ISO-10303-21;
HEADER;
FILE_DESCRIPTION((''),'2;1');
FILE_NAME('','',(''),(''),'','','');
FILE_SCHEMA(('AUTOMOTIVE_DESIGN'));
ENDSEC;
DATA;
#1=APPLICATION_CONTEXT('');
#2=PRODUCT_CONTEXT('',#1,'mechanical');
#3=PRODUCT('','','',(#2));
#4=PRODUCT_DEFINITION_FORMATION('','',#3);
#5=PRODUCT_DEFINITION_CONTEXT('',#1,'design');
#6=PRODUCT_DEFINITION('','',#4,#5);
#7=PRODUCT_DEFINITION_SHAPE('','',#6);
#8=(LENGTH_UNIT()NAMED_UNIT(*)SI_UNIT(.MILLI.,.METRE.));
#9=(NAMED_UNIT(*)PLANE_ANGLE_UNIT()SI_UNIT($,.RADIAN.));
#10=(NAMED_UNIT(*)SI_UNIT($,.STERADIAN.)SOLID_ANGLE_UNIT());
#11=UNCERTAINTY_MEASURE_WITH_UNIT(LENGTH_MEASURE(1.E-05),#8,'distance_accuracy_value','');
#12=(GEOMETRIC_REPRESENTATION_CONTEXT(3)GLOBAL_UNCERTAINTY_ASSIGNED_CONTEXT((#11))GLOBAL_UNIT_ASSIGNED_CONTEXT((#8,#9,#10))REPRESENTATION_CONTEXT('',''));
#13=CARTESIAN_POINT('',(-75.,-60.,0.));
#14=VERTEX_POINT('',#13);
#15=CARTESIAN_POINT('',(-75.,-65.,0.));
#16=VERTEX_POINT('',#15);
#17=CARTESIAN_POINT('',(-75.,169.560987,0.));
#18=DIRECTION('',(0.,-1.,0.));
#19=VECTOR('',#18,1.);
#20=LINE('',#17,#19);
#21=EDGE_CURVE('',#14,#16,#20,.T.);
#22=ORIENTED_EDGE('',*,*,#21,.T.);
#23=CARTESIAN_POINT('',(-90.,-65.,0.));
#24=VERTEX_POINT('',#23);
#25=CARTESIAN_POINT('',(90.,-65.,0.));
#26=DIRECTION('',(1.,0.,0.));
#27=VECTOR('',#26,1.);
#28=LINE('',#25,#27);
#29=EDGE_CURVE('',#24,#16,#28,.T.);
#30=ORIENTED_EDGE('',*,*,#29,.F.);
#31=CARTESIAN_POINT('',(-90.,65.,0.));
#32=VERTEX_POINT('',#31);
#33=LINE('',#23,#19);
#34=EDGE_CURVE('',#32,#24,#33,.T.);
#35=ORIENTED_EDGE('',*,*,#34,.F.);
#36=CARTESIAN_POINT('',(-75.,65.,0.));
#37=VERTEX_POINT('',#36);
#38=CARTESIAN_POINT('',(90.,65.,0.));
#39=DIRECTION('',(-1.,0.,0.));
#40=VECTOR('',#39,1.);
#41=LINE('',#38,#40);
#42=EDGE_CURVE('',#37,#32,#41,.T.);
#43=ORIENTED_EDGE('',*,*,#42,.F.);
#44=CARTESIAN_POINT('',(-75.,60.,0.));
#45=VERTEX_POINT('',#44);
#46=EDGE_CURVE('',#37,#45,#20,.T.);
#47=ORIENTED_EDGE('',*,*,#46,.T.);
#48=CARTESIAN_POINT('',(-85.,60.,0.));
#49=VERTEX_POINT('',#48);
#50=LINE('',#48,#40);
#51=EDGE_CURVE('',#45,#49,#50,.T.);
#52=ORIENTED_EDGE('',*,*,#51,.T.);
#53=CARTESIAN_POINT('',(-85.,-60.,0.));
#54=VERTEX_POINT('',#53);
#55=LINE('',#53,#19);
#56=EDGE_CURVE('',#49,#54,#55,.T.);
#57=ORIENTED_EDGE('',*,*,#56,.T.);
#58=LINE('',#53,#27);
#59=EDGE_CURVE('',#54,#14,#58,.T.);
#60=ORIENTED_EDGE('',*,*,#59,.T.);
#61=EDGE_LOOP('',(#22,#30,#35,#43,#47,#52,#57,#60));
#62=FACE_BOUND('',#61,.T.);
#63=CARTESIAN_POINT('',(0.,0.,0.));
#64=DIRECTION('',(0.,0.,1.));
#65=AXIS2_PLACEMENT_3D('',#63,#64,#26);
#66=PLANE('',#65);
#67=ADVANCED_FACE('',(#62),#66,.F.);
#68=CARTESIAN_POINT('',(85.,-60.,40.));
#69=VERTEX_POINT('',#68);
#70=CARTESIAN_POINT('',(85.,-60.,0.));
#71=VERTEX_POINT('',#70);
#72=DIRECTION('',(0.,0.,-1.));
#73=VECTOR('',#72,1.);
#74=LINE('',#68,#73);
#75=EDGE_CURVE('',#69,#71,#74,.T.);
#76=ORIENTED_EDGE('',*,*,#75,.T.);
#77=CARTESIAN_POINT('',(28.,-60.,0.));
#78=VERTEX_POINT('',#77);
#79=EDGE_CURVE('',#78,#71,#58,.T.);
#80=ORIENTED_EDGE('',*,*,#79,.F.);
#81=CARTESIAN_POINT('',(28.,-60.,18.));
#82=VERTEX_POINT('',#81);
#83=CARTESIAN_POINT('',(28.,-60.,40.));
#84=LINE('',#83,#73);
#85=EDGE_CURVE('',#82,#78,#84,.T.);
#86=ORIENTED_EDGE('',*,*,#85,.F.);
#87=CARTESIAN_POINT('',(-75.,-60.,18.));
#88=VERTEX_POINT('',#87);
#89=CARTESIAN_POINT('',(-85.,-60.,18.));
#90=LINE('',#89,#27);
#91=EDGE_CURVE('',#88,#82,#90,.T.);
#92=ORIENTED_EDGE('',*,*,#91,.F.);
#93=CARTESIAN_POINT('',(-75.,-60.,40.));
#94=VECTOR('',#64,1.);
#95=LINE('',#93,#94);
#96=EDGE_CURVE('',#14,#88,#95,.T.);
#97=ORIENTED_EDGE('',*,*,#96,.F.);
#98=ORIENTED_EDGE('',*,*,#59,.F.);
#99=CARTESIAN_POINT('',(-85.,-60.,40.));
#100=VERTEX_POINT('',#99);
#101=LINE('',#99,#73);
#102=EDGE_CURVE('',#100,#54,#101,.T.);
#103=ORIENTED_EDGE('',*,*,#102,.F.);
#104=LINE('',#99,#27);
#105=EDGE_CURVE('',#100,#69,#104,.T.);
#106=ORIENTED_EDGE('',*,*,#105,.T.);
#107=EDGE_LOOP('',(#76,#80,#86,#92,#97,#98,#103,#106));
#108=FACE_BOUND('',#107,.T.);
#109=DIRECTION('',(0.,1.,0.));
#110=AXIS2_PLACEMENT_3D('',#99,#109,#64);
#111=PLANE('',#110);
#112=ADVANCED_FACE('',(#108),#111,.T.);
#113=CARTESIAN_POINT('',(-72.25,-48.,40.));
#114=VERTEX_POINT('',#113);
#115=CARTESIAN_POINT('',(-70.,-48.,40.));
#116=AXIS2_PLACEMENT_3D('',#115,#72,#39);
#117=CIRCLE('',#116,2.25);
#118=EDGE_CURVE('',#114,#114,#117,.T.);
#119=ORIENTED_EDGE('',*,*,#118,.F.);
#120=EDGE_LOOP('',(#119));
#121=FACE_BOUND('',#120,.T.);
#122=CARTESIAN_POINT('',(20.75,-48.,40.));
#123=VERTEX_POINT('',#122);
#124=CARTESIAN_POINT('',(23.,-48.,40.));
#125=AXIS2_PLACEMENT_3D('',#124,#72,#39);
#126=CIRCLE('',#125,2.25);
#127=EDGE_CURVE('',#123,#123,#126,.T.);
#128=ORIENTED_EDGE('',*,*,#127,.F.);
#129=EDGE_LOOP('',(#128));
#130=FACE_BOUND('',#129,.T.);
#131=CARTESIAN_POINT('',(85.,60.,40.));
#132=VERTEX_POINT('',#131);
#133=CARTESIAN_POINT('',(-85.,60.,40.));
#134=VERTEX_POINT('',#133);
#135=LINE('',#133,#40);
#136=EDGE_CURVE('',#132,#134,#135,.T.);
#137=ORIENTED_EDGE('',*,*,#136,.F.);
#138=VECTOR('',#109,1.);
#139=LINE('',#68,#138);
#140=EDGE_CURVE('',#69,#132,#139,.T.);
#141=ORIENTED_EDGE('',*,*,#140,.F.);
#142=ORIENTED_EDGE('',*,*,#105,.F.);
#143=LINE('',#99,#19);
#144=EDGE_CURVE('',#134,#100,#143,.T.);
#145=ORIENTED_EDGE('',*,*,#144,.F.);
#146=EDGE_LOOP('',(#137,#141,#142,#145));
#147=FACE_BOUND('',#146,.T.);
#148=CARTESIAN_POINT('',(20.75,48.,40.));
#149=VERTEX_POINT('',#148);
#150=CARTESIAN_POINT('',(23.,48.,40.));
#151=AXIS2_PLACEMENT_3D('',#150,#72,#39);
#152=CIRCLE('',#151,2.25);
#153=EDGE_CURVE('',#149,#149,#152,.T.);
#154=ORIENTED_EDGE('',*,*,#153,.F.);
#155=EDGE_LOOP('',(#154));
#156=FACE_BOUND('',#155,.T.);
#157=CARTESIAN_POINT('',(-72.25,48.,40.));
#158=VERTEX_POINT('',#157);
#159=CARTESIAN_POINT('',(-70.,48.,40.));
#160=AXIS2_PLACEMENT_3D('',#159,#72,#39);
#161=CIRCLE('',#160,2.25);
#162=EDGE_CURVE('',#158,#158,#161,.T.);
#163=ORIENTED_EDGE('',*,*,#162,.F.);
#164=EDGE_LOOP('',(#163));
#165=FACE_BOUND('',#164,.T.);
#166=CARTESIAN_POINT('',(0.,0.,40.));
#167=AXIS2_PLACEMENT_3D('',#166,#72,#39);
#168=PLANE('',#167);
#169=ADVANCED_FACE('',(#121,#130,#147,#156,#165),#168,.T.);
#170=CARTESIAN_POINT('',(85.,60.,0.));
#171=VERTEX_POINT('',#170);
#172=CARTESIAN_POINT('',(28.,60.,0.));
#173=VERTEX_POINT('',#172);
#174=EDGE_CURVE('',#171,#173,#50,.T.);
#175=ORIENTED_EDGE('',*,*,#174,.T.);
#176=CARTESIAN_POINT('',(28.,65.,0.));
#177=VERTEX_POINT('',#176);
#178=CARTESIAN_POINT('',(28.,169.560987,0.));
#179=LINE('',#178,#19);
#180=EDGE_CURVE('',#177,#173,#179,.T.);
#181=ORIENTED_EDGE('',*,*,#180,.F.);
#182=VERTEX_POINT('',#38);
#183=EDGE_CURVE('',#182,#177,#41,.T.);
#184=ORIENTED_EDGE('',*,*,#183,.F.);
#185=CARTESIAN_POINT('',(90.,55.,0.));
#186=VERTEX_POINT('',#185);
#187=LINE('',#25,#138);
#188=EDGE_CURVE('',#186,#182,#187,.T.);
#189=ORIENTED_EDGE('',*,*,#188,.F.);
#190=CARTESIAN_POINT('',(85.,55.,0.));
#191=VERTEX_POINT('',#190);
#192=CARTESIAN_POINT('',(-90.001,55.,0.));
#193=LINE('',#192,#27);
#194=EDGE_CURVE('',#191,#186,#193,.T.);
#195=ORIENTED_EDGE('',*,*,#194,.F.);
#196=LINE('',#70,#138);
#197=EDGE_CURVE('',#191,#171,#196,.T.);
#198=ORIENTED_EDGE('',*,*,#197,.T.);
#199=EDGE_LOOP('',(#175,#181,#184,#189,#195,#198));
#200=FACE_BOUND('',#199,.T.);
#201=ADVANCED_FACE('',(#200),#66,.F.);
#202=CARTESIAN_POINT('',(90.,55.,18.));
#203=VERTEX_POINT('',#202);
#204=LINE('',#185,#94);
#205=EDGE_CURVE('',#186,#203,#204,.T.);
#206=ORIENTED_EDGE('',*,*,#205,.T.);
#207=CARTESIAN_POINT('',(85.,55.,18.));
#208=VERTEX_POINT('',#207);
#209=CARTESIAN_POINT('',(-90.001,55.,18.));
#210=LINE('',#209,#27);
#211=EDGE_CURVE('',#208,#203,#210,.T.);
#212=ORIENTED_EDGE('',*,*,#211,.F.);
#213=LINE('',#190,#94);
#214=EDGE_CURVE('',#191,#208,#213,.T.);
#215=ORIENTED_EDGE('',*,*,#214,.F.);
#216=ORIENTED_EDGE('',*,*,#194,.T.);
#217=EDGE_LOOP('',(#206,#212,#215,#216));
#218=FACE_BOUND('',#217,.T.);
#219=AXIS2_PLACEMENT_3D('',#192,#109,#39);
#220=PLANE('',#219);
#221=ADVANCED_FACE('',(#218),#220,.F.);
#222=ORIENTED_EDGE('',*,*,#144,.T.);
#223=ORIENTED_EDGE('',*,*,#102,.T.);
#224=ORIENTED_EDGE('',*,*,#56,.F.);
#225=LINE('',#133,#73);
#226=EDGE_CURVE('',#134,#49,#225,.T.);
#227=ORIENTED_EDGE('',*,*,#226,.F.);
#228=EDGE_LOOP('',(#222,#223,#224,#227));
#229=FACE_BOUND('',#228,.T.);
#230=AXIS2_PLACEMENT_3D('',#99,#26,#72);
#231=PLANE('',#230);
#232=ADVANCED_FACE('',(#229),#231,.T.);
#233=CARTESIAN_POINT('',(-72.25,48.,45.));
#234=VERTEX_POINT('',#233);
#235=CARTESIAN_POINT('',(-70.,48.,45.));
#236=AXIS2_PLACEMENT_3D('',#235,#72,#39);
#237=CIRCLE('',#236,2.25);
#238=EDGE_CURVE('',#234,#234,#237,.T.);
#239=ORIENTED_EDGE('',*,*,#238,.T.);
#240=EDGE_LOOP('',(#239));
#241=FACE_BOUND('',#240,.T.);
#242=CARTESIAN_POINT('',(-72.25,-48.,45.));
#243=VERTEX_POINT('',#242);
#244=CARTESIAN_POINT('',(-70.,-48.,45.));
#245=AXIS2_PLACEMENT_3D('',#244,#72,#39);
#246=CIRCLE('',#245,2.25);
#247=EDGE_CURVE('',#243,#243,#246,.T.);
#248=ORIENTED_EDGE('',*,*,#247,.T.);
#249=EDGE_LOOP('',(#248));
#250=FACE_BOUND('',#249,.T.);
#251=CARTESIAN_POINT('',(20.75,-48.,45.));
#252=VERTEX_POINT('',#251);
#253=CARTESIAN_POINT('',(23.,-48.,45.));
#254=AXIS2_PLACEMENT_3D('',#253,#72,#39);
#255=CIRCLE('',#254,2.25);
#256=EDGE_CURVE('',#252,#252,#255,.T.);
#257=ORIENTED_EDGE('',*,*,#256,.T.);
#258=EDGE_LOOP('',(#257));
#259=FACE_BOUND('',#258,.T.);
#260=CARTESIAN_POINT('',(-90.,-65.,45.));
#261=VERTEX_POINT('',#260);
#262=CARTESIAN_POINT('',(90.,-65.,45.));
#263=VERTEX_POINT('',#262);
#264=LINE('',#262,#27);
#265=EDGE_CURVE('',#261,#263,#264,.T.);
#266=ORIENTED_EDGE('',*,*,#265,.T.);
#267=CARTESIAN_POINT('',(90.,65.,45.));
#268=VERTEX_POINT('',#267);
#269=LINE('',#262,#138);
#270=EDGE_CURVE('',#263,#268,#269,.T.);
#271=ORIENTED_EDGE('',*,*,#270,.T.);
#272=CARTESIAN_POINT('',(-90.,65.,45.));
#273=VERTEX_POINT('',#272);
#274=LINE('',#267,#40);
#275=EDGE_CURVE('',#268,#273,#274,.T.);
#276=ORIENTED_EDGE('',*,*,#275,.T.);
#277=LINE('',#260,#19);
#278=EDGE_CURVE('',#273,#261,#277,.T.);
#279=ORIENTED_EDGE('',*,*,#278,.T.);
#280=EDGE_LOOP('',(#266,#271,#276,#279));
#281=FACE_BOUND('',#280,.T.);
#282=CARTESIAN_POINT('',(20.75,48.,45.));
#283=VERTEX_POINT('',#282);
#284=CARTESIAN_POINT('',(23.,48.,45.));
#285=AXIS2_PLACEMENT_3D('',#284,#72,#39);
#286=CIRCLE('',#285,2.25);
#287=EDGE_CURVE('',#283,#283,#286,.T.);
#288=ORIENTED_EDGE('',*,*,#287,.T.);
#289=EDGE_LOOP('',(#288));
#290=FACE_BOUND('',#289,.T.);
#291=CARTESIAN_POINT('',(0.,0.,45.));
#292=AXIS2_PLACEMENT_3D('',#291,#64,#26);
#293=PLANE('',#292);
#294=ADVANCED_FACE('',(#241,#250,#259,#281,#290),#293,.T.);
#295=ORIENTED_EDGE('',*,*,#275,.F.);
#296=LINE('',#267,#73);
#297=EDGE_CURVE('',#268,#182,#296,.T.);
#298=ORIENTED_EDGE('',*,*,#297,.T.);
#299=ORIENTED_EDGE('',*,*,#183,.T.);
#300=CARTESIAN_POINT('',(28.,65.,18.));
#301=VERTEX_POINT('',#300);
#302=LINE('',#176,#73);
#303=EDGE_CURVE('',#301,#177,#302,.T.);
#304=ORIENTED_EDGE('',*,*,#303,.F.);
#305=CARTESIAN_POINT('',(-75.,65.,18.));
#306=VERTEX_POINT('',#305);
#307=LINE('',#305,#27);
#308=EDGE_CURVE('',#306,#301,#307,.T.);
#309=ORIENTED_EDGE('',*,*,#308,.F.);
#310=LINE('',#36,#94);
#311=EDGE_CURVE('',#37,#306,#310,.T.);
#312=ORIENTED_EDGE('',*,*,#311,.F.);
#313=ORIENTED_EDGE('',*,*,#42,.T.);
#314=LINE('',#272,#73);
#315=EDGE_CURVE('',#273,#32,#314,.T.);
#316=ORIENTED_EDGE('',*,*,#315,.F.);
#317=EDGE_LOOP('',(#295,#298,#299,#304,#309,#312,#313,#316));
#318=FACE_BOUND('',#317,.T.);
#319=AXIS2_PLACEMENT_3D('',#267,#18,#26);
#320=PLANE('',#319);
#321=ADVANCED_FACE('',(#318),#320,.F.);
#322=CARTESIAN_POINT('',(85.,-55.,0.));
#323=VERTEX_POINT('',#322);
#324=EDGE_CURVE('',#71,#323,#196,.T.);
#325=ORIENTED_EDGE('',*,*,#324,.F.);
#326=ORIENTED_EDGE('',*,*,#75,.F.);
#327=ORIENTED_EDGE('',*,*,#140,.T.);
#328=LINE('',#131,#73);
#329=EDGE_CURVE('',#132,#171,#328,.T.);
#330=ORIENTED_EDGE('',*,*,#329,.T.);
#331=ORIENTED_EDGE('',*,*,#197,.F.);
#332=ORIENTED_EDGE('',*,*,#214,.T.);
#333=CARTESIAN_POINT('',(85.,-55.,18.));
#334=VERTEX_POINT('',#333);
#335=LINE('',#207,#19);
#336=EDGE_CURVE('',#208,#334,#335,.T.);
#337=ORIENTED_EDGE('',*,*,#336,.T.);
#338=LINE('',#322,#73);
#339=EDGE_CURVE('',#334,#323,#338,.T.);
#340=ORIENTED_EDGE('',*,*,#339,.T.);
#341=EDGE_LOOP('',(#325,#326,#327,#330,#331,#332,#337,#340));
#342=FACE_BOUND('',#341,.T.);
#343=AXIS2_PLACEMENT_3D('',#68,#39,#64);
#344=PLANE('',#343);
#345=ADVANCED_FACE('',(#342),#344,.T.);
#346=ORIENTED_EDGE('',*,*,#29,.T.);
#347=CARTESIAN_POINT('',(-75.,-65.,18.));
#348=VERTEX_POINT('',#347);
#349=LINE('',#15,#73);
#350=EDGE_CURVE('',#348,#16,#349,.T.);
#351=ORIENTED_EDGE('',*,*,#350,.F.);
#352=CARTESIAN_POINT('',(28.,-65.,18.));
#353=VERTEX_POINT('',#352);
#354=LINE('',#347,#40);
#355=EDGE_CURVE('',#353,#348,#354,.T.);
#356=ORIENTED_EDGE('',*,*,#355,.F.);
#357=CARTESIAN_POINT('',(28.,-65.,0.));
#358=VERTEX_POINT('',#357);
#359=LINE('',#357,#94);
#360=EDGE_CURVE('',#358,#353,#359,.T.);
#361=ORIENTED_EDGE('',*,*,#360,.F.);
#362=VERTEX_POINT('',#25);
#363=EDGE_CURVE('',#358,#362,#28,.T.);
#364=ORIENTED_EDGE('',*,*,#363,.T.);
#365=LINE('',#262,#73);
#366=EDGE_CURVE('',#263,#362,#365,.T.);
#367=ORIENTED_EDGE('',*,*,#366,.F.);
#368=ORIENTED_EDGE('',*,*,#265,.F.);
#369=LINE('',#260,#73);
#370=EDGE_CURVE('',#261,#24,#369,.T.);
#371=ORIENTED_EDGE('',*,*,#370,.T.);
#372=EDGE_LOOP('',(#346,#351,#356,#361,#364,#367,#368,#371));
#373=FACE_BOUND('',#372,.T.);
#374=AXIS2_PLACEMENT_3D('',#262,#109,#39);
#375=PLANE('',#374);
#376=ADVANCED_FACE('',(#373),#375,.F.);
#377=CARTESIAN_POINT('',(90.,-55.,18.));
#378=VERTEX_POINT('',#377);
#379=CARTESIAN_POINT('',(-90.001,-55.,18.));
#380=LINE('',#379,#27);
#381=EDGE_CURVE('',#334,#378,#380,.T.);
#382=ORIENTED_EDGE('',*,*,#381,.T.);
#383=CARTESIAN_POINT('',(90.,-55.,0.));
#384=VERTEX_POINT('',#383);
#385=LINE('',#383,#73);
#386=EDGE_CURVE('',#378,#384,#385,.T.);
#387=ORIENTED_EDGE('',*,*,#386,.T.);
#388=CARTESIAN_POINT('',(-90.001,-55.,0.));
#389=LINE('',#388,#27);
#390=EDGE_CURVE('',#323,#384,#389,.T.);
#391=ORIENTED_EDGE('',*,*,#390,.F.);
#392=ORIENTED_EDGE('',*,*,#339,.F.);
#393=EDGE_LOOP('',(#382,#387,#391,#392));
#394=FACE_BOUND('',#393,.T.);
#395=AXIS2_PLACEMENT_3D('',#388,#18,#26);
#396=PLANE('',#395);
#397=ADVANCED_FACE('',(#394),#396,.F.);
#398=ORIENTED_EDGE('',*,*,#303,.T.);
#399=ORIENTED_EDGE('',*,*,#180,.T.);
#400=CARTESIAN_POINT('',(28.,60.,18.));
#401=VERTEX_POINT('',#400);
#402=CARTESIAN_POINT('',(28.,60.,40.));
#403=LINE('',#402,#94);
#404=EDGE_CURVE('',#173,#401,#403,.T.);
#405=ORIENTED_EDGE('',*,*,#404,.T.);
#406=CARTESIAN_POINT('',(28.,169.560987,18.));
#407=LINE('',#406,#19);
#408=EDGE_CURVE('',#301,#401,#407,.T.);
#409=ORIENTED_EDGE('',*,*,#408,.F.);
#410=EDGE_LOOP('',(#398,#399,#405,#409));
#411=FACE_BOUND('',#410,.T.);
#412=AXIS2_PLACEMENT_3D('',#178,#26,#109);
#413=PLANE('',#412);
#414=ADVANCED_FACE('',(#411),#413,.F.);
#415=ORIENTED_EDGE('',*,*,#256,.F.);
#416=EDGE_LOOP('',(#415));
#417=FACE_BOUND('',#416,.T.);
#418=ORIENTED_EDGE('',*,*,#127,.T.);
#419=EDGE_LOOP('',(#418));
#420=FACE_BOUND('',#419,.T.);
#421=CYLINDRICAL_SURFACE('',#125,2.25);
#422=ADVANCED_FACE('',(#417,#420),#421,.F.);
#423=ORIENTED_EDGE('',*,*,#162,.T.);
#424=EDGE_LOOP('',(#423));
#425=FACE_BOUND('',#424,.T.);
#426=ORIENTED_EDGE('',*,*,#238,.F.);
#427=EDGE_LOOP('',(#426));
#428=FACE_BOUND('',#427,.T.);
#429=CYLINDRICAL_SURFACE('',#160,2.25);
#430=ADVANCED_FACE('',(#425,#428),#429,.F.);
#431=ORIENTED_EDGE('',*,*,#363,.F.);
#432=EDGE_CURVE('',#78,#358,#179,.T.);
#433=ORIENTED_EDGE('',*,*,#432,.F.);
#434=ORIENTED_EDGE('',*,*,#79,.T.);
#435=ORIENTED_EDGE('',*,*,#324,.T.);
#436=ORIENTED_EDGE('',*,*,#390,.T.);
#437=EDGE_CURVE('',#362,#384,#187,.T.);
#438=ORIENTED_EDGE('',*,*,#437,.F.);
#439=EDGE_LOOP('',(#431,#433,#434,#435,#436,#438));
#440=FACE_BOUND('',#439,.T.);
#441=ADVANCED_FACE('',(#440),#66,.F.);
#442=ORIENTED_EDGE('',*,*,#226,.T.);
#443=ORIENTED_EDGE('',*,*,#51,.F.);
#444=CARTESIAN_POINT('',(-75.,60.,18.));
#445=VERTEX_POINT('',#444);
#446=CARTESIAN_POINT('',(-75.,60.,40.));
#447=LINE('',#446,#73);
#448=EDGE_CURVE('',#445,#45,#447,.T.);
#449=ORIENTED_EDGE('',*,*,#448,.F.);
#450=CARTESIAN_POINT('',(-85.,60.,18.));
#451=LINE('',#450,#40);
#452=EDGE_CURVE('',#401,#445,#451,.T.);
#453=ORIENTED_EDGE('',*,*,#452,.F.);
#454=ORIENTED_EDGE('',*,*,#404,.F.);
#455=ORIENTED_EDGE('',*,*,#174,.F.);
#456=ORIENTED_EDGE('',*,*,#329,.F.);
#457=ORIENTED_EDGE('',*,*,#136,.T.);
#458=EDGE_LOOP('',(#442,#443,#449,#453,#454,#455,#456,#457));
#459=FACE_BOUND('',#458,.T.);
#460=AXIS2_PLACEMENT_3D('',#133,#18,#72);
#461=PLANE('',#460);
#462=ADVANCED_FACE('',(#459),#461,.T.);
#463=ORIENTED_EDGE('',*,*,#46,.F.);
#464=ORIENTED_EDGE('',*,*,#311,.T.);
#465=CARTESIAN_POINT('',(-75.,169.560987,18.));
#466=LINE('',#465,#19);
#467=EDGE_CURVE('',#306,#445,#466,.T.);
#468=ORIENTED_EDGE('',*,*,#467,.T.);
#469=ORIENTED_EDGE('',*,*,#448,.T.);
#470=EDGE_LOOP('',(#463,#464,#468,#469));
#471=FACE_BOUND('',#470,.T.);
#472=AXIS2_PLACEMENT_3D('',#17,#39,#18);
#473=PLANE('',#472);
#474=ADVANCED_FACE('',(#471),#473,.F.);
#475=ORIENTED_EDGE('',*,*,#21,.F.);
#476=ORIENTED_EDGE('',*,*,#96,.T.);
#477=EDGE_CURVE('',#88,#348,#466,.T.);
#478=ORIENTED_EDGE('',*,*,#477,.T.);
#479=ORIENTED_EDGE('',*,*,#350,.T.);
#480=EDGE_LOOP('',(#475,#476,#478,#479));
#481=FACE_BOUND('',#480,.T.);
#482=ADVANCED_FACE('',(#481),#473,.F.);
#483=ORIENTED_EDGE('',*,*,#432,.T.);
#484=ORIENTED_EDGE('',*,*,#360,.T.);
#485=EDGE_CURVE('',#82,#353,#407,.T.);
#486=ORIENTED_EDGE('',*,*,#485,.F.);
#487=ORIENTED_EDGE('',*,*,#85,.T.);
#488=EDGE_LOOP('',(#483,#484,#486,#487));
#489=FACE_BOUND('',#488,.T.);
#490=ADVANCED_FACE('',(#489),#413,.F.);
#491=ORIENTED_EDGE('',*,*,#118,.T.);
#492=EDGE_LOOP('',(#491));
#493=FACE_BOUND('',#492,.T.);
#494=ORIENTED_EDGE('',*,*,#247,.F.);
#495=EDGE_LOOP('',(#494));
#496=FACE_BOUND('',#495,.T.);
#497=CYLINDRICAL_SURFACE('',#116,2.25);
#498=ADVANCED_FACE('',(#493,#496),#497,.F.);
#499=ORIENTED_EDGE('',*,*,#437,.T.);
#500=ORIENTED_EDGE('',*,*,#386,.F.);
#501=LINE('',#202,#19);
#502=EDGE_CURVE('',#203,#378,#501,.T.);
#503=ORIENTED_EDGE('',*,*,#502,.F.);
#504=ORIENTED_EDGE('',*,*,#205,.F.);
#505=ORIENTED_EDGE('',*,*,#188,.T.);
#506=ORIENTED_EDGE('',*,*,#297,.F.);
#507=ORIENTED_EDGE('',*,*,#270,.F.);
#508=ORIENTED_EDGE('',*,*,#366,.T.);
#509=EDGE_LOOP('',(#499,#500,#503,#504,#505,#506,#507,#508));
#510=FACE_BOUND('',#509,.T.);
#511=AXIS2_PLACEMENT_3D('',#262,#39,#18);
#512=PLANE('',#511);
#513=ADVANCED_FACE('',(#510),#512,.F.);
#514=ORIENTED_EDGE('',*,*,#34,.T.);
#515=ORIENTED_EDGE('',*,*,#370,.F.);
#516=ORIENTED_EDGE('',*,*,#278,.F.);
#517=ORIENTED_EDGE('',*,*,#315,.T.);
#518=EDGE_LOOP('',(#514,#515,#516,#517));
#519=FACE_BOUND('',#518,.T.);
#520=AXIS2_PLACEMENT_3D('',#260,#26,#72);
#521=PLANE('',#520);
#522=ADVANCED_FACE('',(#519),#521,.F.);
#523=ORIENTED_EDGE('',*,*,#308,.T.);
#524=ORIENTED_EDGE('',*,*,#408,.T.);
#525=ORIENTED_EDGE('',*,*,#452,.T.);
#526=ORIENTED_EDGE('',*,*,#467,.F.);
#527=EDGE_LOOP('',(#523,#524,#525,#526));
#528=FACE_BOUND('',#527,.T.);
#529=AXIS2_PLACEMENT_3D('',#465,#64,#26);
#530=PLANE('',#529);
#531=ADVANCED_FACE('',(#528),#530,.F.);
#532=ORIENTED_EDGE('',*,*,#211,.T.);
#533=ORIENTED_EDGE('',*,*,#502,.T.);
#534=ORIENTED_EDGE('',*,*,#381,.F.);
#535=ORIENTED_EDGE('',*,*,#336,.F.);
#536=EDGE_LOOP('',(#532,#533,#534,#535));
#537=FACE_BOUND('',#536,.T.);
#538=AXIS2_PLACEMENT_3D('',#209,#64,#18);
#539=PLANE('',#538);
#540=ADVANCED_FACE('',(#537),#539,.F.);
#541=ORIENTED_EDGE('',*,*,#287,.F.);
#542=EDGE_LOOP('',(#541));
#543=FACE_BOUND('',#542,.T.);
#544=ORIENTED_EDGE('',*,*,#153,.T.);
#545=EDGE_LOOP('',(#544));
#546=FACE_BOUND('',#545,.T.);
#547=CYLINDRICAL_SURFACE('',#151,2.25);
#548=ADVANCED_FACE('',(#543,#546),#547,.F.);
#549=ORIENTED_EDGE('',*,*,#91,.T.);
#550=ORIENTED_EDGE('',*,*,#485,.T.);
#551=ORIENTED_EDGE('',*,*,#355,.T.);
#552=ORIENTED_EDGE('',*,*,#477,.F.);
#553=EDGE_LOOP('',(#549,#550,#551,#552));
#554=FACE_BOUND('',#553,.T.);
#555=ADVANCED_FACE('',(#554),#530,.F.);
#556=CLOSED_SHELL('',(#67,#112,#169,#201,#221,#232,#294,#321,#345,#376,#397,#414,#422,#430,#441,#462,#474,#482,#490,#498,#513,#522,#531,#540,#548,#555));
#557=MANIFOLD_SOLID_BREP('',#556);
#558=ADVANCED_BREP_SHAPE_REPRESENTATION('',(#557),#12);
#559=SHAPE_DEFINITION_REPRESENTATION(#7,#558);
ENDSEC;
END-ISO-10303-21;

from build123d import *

# Parameters (mm, degrees)
SKETCH1_W            = 180
SKETCH1_H            = 130
BOSS_EXTRUDE1_DEPTH  = 45
SKETCH3_W            = 170
SKETCH3_H            = 120
CUT_EXTRUDE1_DEPTH   = 40
M4_CLEARANCE_HOLE1_D = 4.5
CUT_EXTRUDE2_REACH   = 182
SKETCH7_W            = 18
SKETCH7_H            = 110
SKETCH8_W            = 103
SKETCH8_H            = 18
CUT_EXTRUDE3_DEPTH   = 130


with BuildPart() as part:
    # Sketch1 → Boss-Extrude1 (new body)
    with BuildSketch(Plane.XY):
        Rectangle(SKETCH1_W, SKETCH1_H)
    extrude(amount=BOSS_EXTRUDE1_DEPTH)

    # Sketch3 → Cut-Extrude1 (cut)
    with BuildSketch(Plane.XY):
        Rectangle(SKETCH3_W, SKETCH3_H)
    extrude(amount=CUT_EXTRUDE1_DEPTH, mode=Mode.SUBTRACT)

    # M4 Clearance Hole1 (through all)
    with Locations(Plane(origin=(0, 0, 40), x_dir=(-1, 0, 0), z_dir=(0, 0, -1))):
        with Locations((-23, -48), (70, -48), (70, 48), (-23, 48)):
            Hole(M4_CLEARANCE_HOLE1_D / 2)

    # Sketch7 → Cut-Extrude2 (cut, up to next)
    with BuildSketch(Plane(origin=(90, 0, 0), x_dir=(0, 0, -1), z_dir=(1, 0, 0)), mode=Mode.PRIVATE) as cut_extrude2_sk1:
        with Locations((-9, 0)):
            Rectangle(SKETCH7_W, SKETCH7_H)
    cut_extrude2_tool1 = extrude(cut_extrude2_sk1.sketch, amount=-CUT_EXTRUDE2_REACH, mode=Mode.PRIVATE) & part.part
    add(cut_extrude2_tool1.solids().sort_by_distance((90, 0, 9))[0], mode=Mode.SUBTRACT)

    # Sketch8 → Cut-Extrude3 (cut)
    with BuildSketch(Plane.XZ.offset(65)):
        with Locations((-23.5, 9)):
            Rectangle(SKETCH8_W, SKETCH8_H)
    extrude(amount=-CUT_EXTRUDE3_DEPTH, mode=Mode.SUBTRACT)


solid = part.part
